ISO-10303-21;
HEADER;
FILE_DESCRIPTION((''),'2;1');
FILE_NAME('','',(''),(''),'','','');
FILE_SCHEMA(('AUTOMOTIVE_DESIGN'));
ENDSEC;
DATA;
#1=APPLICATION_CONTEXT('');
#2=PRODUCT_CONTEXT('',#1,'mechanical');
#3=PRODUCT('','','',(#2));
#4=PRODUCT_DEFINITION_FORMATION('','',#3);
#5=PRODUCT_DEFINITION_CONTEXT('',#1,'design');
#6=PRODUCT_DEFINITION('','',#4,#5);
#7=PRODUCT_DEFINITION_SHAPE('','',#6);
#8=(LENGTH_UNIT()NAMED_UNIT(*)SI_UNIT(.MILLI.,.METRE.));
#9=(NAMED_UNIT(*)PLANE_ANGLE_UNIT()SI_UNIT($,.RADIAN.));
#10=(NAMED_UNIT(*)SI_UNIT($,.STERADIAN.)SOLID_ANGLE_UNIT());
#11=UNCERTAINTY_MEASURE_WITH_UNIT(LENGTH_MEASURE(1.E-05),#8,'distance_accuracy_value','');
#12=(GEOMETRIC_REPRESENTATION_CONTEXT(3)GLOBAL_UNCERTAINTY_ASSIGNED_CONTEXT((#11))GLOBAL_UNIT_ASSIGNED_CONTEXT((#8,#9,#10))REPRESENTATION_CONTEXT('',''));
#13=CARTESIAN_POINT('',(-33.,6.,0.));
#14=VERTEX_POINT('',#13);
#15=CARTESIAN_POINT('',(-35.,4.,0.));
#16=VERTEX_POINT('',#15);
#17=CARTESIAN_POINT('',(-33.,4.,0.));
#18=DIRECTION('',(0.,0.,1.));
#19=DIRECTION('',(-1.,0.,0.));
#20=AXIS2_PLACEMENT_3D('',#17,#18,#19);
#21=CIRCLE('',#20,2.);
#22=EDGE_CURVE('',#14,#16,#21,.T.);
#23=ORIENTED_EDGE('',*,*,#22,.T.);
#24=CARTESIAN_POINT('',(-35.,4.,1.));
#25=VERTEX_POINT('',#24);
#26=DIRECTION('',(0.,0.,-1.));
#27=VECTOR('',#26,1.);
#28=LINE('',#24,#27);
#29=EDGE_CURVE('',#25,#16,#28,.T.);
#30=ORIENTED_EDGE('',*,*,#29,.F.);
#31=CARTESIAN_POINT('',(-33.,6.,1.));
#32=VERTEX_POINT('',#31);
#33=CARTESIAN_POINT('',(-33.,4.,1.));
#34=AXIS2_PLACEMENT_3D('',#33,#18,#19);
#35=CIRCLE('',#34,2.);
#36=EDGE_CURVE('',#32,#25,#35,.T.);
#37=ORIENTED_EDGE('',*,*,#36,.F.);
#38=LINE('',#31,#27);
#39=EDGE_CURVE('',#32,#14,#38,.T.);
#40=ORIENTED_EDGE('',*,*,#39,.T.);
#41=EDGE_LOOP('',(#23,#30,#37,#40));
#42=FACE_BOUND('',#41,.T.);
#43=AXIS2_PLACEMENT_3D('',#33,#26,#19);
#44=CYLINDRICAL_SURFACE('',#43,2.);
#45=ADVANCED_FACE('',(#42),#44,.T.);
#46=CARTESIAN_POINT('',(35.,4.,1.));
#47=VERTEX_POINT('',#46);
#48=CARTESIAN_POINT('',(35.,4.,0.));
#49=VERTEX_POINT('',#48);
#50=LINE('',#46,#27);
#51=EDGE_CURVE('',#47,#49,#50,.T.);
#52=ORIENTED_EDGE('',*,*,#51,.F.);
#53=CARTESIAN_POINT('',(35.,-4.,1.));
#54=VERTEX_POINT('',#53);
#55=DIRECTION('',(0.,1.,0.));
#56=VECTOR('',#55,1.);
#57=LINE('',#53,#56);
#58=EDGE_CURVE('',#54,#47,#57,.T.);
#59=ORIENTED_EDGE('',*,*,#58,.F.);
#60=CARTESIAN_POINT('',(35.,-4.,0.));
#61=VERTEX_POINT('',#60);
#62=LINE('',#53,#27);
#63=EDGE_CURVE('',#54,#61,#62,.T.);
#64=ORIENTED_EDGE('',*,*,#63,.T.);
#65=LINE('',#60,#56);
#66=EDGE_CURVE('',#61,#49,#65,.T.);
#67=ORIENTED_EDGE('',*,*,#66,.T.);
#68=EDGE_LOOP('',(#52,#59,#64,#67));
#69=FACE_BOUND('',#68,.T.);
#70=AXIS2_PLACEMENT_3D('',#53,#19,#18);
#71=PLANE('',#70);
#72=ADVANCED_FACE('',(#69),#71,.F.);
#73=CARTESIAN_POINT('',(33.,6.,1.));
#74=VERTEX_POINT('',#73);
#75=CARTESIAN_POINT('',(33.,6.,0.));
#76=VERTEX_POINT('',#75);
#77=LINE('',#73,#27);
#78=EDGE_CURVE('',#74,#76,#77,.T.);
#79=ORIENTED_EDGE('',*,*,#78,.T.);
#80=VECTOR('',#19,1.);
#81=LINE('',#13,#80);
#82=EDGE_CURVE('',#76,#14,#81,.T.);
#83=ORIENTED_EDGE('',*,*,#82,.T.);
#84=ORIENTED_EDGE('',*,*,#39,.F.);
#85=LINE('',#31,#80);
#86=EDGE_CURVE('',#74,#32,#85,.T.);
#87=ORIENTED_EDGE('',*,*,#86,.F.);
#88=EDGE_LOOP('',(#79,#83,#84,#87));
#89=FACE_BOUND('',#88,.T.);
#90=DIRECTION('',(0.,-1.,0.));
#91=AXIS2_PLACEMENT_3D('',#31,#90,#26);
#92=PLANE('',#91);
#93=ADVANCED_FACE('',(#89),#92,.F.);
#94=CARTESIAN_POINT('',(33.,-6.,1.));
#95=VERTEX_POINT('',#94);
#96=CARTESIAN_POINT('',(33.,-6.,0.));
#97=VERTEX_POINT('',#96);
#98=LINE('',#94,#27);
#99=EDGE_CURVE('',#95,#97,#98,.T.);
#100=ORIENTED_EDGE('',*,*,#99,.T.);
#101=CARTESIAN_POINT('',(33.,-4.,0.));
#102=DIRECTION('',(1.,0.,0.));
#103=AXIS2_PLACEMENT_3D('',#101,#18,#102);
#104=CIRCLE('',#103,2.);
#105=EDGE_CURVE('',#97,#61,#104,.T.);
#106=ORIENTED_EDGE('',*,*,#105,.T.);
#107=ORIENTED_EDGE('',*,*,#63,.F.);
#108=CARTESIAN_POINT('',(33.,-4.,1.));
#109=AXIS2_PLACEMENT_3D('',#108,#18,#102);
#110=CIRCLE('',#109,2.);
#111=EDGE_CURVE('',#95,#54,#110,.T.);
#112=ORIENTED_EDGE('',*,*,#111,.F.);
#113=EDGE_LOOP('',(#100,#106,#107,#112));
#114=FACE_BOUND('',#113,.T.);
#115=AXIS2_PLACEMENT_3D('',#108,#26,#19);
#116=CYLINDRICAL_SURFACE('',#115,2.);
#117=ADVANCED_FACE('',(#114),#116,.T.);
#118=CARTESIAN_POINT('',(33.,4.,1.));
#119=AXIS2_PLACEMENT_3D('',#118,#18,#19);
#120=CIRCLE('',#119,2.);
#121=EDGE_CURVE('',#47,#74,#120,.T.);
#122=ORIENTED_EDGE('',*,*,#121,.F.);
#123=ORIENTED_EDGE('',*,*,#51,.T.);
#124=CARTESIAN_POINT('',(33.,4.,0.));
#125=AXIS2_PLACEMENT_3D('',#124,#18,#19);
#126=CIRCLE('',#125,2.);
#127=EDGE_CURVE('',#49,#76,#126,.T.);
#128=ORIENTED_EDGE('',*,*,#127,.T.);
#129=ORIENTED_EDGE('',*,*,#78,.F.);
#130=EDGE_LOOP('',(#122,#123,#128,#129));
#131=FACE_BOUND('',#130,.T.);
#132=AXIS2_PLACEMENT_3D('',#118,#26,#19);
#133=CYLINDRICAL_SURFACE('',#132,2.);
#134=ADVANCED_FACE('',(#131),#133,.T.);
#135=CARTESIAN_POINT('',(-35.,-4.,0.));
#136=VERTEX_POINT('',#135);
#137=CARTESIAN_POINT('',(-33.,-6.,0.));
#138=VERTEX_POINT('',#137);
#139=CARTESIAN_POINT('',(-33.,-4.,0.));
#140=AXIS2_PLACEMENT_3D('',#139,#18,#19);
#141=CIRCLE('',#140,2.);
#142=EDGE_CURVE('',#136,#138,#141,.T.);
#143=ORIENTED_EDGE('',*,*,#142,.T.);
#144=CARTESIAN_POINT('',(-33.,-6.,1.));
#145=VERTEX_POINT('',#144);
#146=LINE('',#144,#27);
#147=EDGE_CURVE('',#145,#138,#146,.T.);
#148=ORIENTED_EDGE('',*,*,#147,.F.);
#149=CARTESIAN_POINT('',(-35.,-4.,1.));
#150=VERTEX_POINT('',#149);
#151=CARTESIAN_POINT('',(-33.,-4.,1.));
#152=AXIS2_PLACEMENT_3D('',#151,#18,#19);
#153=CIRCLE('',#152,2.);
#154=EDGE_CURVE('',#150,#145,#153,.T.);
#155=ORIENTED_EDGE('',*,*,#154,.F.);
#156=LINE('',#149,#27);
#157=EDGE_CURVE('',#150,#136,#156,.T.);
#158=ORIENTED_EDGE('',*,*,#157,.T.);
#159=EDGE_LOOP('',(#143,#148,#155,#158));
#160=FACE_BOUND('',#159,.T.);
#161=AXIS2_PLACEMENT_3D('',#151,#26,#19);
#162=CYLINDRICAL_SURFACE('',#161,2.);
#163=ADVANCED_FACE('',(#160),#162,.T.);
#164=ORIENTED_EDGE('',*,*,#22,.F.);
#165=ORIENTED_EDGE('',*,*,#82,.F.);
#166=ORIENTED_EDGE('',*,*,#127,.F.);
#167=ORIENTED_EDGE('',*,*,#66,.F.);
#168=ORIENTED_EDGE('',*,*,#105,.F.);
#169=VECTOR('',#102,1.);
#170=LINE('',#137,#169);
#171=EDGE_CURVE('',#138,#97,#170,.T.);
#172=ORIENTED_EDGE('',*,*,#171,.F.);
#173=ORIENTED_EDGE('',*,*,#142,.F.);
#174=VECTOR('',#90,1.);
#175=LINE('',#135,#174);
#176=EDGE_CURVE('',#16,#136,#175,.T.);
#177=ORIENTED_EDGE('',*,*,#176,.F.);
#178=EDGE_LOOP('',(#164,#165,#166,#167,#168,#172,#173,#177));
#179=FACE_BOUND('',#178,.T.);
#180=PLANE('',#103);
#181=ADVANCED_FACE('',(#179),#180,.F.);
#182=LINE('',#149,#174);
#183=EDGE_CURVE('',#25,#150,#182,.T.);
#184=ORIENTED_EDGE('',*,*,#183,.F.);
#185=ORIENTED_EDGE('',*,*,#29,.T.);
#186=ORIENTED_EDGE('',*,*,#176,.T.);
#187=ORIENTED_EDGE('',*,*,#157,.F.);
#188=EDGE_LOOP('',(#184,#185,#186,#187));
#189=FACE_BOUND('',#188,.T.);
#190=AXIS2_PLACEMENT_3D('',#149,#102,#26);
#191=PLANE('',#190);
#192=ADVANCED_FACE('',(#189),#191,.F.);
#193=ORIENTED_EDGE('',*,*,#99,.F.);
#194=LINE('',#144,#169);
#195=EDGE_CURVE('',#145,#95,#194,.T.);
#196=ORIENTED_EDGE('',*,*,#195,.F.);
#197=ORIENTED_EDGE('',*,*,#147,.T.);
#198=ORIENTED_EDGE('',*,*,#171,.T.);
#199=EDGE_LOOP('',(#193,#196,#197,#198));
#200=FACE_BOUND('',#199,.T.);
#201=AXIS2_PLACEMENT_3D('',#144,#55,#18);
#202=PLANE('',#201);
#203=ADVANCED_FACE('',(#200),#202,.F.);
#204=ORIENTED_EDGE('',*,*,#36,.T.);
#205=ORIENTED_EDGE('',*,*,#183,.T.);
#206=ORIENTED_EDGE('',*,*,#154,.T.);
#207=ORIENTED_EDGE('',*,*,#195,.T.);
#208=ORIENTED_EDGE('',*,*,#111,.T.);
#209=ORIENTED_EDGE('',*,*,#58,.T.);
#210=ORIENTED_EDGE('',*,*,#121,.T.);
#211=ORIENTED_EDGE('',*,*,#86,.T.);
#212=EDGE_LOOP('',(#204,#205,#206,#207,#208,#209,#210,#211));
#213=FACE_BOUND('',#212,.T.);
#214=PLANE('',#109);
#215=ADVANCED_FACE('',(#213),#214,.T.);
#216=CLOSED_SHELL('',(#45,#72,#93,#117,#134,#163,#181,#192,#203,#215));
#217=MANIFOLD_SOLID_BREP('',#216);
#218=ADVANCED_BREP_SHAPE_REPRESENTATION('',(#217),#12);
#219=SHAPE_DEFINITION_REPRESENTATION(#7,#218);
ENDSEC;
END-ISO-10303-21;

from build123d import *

# Parameters (mm, degrees)
BOSS_EXTRUDE1_DEPTH = 1


with BuildPart() as part:
    # Sketch1 → Boss-Extrude1 (new body)
    with BuildSketch(Plane.XY):
        with BuildLine():
            Line((-33, -6), (33, -6))
            ThreePointArc((33, -6), (34.414213562, -5.414213562), (35, -4))
            Line((35, -4), (35, 4))
            ThreePointArc((35, 4), (34.414213562, 5.414213562), (33, 6))
            Line((33, 6), (-33, 6))
            ThreePointArc((-33, 6), (-34.414213562, 5.414213562), (-35, 4))
            Line((-35, 4), (-35, -4))
            ThreePointArc((-35, -4), (-34.414213562, -5.414213562), (-33, -6))
        make_face()
    extrude(amount=BOSS_EXTRUDE1_DEPTH)


solid = part.part
